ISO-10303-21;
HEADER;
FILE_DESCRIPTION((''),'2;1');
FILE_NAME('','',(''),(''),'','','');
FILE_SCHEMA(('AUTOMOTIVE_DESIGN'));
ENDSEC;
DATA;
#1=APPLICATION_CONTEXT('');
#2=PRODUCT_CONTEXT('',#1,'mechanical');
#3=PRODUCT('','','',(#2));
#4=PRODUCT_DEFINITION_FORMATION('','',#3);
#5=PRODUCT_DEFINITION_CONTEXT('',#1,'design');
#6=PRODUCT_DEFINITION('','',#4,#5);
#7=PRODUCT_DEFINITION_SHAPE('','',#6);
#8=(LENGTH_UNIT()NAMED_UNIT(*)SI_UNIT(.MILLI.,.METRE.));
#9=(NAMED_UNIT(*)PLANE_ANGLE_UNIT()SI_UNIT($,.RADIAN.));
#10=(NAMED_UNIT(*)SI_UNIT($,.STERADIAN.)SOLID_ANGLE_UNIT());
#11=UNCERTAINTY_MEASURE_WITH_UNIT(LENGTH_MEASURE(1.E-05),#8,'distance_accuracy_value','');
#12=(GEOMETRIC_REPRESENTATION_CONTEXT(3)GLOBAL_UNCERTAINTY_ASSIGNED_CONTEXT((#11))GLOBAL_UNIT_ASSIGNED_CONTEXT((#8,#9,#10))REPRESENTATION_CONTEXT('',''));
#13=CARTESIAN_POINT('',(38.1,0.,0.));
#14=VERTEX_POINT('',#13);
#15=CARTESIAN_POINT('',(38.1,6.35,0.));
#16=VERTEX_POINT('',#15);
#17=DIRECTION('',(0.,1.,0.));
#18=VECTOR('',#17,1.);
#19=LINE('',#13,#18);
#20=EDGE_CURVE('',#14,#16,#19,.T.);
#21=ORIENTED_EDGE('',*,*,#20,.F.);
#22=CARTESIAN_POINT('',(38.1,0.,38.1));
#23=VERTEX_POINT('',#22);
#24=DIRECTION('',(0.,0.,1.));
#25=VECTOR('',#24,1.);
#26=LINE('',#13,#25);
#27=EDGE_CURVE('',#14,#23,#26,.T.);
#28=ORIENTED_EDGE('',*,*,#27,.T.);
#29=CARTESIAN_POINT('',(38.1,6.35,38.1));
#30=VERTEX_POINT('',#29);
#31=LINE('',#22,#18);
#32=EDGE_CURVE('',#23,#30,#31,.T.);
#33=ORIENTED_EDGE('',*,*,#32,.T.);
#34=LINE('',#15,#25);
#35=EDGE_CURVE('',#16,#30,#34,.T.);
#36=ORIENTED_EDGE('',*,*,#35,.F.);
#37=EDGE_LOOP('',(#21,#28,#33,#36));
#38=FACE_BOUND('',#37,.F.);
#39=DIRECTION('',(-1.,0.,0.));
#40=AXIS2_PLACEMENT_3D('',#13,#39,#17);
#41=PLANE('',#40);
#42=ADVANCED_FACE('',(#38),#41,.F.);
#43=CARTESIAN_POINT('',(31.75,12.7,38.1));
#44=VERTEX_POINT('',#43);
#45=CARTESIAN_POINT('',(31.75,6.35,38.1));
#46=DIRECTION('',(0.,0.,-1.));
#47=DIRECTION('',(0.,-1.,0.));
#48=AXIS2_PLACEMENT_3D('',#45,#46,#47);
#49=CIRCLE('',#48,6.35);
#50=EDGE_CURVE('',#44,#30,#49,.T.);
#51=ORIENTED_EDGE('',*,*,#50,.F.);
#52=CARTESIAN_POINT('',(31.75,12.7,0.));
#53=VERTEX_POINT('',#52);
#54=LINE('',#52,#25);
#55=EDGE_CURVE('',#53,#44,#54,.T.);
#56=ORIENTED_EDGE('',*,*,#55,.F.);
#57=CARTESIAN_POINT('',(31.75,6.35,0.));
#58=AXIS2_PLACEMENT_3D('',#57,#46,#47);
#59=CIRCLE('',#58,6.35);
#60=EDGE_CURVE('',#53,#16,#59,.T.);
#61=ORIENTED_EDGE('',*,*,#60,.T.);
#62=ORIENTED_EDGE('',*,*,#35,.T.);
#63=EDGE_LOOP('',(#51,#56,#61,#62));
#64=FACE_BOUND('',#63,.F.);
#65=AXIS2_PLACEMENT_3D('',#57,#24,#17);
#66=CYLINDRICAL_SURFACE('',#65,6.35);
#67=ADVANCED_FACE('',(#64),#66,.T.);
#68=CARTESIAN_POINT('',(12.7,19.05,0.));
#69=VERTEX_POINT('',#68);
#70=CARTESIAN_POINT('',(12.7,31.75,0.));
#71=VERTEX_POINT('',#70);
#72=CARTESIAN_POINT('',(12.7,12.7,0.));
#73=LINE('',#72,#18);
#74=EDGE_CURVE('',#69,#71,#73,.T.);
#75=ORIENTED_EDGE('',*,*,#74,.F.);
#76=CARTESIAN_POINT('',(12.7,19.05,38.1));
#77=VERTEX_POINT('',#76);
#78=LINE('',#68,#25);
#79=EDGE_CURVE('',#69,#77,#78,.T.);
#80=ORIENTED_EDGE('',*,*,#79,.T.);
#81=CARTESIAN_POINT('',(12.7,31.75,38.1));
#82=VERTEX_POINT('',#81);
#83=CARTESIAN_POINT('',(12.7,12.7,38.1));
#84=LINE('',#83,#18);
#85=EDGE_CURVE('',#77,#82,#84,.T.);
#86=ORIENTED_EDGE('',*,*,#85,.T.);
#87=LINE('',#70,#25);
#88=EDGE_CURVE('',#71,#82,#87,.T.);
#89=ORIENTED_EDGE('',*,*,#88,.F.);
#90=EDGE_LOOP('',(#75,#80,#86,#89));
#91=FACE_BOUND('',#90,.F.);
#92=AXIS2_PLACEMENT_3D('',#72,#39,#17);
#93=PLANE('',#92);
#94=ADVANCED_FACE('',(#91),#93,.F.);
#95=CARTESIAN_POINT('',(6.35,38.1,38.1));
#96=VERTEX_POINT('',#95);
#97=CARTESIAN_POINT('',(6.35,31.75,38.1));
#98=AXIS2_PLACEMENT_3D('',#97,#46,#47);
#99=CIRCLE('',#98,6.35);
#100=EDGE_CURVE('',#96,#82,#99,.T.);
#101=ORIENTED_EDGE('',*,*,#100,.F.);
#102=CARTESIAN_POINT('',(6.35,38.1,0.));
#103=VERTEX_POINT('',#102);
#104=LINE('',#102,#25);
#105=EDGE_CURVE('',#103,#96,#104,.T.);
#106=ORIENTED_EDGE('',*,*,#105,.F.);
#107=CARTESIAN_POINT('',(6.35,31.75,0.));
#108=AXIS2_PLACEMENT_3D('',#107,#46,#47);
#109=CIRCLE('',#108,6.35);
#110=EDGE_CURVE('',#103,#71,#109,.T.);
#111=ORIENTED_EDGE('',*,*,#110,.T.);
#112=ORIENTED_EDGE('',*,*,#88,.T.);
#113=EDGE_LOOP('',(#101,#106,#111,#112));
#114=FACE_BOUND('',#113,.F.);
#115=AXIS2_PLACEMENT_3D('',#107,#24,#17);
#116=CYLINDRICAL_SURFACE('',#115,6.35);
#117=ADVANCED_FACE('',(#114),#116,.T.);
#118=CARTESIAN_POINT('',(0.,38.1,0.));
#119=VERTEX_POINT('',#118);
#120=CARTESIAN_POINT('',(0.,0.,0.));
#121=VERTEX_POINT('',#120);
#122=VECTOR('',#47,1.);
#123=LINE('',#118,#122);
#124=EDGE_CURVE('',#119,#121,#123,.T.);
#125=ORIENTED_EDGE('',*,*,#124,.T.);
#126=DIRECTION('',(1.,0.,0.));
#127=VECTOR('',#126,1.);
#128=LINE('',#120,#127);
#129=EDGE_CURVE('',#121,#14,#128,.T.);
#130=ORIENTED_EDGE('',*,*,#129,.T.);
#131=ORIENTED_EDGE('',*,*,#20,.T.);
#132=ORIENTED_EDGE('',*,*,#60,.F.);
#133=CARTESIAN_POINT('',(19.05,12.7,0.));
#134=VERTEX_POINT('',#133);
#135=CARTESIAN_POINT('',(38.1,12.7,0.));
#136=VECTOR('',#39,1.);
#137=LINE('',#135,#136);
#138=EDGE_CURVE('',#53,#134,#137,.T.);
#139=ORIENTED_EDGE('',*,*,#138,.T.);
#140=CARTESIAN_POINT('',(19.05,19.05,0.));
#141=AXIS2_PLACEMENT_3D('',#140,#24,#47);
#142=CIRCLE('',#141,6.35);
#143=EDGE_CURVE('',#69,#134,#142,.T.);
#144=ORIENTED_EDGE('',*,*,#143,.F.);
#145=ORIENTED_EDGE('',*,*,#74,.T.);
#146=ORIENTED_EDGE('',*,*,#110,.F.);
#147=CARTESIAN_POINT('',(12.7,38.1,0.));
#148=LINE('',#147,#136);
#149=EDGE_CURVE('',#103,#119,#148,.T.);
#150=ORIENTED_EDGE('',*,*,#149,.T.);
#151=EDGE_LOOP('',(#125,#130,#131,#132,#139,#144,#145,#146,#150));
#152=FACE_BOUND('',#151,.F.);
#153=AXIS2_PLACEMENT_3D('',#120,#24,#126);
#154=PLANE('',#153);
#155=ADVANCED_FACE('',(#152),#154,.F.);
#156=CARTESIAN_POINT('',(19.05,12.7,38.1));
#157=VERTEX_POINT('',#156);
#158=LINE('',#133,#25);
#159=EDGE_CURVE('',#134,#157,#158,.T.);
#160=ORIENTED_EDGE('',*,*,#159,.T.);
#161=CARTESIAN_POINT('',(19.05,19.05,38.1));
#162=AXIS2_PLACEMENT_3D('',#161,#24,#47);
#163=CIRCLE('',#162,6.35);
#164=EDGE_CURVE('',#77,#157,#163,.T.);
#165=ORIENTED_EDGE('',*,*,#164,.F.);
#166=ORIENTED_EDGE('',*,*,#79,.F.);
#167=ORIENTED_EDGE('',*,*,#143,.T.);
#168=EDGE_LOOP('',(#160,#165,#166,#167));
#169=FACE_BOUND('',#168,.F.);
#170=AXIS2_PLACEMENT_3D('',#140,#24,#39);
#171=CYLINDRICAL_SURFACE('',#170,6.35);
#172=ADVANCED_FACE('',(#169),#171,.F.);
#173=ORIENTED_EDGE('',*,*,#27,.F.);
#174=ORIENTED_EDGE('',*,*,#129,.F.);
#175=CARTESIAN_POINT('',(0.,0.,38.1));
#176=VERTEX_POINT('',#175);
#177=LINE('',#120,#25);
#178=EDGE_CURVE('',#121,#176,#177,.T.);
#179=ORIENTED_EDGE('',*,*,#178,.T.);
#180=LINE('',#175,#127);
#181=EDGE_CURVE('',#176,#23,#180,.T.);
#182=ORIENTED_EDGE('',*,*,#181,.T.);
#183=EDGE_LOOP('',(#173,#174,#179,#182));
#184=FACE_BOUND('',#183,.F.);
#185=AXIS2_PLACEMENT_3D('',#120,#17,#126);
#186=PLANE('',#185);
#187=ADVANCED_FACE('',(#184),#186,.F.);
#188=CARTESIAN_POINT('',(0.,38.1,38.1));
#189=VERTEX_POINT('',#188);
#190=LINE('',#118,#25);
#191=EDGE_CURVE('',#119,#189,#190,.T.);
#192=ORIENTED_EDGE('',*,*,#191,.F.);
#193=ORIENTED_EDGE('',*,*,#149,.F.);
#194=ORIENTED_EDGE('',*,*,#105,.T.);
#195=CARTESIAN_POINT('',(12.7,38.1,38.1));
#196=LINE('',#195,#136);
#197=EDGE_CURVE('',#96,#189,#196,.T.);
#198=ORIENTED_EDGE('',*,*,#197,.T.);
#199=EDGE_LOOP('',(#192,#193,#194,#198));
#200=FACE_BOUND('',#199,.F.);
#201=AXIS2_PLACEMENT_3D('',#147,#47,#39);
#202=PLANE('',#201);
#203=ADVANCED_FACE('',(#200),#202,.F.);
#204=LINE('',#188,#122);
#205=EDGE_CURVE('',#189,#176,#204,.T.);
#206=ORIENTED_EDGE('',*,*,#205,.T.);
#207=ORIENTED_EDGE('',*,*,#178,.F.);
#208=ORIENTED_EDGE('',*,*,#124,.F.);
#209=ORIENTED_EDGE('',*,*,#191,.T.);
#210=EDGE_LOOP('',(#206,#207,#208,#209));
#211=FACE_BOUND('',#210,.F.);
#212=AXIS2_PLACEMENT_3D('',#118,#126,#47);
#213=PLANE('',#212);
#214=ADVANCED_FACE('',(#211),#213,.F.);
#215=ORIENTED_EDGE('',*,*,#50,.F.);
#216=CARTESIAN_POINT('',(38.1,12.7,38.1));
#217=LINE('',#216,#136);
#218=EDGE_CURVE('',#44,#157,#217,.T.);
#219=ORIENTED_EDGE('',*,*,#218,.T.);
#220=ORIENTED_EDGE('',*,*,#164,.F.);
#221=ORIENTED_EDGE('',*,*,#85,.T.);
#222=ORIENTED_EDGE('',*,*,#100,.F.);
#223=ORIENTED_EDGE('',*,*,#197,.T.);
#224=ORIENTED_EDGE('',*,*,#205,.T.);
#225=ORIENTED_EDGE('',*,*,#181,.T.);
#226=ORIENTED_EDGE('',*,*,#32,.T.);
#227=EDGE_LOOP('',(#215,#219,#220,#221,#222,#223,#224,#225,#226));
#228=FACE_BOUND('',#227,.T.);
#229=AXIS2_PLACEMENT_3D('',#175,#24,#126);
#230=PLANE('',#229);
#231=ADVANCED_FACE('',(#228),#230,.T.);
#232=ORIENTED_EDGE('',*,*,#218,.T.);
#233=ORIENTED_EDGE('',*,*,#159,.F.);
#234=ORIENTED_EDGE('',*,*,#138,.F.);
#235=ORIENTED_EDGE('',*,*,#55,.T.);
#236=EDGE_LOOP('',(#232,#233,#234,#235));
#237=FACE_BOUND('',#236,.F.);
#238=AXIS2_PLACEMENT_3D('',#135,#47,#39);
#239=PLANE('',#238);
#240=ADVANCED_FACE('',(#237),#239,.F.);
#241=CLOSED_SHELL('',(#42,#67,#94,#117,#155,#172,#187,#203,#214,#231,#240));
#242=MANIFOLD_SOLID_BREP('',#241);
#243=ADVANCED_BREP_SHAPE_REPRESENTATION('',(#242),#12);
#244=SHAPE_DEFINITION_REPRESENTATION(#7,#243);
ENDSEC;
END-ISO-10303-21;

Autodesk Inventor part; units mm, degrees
ref_plane "YZ Plane" through (0, 0, 0) normal (1, 0, 0) x (0, 1, 0)
ref_plane "XZ Plane" through (0, 0, 0) normal (0, 1, 0) x (-1, 0, 0)
ref_plane "XY Plane" through (0, 0, 0) normal (0, 0, 1) x (1, 0, 0)
sketch "Sketch1" plane through (0, 0, 0) normal (0, 0, 1) x (1, 0, 0)
  line L0 (0, 0) -> (38.1, 0)
  line L1 (38.1, 0) -> (38.1, 12.7)
  line L2 (38.1, 12.7) -> (12.7, 12.7)
  line L3 (12.7, 12.7) -> (12.7, 38.1)
  line L4 (12.7, 38.1) -> (0, 38.1)
  line L5 (0, 38.1) -> (0, 0)
  dimension "d0" = 38.1
  dimension "d1" = 12.7
  dimension "d2" = 25.4
  dimension "d3" = 25.4
extrude "Extrusion1" add sketch "Sketch1" along normal blind 38.1
fillet "Fillet1" radius 6.35 1 edges at (12.7, 38.1, 19.05)
fillet "Fillet2" radius 6.35 2 edges at (12.7, 12.7, 19.05) (38.1, 12.7, 19.05)
properties part number "Fillet"
